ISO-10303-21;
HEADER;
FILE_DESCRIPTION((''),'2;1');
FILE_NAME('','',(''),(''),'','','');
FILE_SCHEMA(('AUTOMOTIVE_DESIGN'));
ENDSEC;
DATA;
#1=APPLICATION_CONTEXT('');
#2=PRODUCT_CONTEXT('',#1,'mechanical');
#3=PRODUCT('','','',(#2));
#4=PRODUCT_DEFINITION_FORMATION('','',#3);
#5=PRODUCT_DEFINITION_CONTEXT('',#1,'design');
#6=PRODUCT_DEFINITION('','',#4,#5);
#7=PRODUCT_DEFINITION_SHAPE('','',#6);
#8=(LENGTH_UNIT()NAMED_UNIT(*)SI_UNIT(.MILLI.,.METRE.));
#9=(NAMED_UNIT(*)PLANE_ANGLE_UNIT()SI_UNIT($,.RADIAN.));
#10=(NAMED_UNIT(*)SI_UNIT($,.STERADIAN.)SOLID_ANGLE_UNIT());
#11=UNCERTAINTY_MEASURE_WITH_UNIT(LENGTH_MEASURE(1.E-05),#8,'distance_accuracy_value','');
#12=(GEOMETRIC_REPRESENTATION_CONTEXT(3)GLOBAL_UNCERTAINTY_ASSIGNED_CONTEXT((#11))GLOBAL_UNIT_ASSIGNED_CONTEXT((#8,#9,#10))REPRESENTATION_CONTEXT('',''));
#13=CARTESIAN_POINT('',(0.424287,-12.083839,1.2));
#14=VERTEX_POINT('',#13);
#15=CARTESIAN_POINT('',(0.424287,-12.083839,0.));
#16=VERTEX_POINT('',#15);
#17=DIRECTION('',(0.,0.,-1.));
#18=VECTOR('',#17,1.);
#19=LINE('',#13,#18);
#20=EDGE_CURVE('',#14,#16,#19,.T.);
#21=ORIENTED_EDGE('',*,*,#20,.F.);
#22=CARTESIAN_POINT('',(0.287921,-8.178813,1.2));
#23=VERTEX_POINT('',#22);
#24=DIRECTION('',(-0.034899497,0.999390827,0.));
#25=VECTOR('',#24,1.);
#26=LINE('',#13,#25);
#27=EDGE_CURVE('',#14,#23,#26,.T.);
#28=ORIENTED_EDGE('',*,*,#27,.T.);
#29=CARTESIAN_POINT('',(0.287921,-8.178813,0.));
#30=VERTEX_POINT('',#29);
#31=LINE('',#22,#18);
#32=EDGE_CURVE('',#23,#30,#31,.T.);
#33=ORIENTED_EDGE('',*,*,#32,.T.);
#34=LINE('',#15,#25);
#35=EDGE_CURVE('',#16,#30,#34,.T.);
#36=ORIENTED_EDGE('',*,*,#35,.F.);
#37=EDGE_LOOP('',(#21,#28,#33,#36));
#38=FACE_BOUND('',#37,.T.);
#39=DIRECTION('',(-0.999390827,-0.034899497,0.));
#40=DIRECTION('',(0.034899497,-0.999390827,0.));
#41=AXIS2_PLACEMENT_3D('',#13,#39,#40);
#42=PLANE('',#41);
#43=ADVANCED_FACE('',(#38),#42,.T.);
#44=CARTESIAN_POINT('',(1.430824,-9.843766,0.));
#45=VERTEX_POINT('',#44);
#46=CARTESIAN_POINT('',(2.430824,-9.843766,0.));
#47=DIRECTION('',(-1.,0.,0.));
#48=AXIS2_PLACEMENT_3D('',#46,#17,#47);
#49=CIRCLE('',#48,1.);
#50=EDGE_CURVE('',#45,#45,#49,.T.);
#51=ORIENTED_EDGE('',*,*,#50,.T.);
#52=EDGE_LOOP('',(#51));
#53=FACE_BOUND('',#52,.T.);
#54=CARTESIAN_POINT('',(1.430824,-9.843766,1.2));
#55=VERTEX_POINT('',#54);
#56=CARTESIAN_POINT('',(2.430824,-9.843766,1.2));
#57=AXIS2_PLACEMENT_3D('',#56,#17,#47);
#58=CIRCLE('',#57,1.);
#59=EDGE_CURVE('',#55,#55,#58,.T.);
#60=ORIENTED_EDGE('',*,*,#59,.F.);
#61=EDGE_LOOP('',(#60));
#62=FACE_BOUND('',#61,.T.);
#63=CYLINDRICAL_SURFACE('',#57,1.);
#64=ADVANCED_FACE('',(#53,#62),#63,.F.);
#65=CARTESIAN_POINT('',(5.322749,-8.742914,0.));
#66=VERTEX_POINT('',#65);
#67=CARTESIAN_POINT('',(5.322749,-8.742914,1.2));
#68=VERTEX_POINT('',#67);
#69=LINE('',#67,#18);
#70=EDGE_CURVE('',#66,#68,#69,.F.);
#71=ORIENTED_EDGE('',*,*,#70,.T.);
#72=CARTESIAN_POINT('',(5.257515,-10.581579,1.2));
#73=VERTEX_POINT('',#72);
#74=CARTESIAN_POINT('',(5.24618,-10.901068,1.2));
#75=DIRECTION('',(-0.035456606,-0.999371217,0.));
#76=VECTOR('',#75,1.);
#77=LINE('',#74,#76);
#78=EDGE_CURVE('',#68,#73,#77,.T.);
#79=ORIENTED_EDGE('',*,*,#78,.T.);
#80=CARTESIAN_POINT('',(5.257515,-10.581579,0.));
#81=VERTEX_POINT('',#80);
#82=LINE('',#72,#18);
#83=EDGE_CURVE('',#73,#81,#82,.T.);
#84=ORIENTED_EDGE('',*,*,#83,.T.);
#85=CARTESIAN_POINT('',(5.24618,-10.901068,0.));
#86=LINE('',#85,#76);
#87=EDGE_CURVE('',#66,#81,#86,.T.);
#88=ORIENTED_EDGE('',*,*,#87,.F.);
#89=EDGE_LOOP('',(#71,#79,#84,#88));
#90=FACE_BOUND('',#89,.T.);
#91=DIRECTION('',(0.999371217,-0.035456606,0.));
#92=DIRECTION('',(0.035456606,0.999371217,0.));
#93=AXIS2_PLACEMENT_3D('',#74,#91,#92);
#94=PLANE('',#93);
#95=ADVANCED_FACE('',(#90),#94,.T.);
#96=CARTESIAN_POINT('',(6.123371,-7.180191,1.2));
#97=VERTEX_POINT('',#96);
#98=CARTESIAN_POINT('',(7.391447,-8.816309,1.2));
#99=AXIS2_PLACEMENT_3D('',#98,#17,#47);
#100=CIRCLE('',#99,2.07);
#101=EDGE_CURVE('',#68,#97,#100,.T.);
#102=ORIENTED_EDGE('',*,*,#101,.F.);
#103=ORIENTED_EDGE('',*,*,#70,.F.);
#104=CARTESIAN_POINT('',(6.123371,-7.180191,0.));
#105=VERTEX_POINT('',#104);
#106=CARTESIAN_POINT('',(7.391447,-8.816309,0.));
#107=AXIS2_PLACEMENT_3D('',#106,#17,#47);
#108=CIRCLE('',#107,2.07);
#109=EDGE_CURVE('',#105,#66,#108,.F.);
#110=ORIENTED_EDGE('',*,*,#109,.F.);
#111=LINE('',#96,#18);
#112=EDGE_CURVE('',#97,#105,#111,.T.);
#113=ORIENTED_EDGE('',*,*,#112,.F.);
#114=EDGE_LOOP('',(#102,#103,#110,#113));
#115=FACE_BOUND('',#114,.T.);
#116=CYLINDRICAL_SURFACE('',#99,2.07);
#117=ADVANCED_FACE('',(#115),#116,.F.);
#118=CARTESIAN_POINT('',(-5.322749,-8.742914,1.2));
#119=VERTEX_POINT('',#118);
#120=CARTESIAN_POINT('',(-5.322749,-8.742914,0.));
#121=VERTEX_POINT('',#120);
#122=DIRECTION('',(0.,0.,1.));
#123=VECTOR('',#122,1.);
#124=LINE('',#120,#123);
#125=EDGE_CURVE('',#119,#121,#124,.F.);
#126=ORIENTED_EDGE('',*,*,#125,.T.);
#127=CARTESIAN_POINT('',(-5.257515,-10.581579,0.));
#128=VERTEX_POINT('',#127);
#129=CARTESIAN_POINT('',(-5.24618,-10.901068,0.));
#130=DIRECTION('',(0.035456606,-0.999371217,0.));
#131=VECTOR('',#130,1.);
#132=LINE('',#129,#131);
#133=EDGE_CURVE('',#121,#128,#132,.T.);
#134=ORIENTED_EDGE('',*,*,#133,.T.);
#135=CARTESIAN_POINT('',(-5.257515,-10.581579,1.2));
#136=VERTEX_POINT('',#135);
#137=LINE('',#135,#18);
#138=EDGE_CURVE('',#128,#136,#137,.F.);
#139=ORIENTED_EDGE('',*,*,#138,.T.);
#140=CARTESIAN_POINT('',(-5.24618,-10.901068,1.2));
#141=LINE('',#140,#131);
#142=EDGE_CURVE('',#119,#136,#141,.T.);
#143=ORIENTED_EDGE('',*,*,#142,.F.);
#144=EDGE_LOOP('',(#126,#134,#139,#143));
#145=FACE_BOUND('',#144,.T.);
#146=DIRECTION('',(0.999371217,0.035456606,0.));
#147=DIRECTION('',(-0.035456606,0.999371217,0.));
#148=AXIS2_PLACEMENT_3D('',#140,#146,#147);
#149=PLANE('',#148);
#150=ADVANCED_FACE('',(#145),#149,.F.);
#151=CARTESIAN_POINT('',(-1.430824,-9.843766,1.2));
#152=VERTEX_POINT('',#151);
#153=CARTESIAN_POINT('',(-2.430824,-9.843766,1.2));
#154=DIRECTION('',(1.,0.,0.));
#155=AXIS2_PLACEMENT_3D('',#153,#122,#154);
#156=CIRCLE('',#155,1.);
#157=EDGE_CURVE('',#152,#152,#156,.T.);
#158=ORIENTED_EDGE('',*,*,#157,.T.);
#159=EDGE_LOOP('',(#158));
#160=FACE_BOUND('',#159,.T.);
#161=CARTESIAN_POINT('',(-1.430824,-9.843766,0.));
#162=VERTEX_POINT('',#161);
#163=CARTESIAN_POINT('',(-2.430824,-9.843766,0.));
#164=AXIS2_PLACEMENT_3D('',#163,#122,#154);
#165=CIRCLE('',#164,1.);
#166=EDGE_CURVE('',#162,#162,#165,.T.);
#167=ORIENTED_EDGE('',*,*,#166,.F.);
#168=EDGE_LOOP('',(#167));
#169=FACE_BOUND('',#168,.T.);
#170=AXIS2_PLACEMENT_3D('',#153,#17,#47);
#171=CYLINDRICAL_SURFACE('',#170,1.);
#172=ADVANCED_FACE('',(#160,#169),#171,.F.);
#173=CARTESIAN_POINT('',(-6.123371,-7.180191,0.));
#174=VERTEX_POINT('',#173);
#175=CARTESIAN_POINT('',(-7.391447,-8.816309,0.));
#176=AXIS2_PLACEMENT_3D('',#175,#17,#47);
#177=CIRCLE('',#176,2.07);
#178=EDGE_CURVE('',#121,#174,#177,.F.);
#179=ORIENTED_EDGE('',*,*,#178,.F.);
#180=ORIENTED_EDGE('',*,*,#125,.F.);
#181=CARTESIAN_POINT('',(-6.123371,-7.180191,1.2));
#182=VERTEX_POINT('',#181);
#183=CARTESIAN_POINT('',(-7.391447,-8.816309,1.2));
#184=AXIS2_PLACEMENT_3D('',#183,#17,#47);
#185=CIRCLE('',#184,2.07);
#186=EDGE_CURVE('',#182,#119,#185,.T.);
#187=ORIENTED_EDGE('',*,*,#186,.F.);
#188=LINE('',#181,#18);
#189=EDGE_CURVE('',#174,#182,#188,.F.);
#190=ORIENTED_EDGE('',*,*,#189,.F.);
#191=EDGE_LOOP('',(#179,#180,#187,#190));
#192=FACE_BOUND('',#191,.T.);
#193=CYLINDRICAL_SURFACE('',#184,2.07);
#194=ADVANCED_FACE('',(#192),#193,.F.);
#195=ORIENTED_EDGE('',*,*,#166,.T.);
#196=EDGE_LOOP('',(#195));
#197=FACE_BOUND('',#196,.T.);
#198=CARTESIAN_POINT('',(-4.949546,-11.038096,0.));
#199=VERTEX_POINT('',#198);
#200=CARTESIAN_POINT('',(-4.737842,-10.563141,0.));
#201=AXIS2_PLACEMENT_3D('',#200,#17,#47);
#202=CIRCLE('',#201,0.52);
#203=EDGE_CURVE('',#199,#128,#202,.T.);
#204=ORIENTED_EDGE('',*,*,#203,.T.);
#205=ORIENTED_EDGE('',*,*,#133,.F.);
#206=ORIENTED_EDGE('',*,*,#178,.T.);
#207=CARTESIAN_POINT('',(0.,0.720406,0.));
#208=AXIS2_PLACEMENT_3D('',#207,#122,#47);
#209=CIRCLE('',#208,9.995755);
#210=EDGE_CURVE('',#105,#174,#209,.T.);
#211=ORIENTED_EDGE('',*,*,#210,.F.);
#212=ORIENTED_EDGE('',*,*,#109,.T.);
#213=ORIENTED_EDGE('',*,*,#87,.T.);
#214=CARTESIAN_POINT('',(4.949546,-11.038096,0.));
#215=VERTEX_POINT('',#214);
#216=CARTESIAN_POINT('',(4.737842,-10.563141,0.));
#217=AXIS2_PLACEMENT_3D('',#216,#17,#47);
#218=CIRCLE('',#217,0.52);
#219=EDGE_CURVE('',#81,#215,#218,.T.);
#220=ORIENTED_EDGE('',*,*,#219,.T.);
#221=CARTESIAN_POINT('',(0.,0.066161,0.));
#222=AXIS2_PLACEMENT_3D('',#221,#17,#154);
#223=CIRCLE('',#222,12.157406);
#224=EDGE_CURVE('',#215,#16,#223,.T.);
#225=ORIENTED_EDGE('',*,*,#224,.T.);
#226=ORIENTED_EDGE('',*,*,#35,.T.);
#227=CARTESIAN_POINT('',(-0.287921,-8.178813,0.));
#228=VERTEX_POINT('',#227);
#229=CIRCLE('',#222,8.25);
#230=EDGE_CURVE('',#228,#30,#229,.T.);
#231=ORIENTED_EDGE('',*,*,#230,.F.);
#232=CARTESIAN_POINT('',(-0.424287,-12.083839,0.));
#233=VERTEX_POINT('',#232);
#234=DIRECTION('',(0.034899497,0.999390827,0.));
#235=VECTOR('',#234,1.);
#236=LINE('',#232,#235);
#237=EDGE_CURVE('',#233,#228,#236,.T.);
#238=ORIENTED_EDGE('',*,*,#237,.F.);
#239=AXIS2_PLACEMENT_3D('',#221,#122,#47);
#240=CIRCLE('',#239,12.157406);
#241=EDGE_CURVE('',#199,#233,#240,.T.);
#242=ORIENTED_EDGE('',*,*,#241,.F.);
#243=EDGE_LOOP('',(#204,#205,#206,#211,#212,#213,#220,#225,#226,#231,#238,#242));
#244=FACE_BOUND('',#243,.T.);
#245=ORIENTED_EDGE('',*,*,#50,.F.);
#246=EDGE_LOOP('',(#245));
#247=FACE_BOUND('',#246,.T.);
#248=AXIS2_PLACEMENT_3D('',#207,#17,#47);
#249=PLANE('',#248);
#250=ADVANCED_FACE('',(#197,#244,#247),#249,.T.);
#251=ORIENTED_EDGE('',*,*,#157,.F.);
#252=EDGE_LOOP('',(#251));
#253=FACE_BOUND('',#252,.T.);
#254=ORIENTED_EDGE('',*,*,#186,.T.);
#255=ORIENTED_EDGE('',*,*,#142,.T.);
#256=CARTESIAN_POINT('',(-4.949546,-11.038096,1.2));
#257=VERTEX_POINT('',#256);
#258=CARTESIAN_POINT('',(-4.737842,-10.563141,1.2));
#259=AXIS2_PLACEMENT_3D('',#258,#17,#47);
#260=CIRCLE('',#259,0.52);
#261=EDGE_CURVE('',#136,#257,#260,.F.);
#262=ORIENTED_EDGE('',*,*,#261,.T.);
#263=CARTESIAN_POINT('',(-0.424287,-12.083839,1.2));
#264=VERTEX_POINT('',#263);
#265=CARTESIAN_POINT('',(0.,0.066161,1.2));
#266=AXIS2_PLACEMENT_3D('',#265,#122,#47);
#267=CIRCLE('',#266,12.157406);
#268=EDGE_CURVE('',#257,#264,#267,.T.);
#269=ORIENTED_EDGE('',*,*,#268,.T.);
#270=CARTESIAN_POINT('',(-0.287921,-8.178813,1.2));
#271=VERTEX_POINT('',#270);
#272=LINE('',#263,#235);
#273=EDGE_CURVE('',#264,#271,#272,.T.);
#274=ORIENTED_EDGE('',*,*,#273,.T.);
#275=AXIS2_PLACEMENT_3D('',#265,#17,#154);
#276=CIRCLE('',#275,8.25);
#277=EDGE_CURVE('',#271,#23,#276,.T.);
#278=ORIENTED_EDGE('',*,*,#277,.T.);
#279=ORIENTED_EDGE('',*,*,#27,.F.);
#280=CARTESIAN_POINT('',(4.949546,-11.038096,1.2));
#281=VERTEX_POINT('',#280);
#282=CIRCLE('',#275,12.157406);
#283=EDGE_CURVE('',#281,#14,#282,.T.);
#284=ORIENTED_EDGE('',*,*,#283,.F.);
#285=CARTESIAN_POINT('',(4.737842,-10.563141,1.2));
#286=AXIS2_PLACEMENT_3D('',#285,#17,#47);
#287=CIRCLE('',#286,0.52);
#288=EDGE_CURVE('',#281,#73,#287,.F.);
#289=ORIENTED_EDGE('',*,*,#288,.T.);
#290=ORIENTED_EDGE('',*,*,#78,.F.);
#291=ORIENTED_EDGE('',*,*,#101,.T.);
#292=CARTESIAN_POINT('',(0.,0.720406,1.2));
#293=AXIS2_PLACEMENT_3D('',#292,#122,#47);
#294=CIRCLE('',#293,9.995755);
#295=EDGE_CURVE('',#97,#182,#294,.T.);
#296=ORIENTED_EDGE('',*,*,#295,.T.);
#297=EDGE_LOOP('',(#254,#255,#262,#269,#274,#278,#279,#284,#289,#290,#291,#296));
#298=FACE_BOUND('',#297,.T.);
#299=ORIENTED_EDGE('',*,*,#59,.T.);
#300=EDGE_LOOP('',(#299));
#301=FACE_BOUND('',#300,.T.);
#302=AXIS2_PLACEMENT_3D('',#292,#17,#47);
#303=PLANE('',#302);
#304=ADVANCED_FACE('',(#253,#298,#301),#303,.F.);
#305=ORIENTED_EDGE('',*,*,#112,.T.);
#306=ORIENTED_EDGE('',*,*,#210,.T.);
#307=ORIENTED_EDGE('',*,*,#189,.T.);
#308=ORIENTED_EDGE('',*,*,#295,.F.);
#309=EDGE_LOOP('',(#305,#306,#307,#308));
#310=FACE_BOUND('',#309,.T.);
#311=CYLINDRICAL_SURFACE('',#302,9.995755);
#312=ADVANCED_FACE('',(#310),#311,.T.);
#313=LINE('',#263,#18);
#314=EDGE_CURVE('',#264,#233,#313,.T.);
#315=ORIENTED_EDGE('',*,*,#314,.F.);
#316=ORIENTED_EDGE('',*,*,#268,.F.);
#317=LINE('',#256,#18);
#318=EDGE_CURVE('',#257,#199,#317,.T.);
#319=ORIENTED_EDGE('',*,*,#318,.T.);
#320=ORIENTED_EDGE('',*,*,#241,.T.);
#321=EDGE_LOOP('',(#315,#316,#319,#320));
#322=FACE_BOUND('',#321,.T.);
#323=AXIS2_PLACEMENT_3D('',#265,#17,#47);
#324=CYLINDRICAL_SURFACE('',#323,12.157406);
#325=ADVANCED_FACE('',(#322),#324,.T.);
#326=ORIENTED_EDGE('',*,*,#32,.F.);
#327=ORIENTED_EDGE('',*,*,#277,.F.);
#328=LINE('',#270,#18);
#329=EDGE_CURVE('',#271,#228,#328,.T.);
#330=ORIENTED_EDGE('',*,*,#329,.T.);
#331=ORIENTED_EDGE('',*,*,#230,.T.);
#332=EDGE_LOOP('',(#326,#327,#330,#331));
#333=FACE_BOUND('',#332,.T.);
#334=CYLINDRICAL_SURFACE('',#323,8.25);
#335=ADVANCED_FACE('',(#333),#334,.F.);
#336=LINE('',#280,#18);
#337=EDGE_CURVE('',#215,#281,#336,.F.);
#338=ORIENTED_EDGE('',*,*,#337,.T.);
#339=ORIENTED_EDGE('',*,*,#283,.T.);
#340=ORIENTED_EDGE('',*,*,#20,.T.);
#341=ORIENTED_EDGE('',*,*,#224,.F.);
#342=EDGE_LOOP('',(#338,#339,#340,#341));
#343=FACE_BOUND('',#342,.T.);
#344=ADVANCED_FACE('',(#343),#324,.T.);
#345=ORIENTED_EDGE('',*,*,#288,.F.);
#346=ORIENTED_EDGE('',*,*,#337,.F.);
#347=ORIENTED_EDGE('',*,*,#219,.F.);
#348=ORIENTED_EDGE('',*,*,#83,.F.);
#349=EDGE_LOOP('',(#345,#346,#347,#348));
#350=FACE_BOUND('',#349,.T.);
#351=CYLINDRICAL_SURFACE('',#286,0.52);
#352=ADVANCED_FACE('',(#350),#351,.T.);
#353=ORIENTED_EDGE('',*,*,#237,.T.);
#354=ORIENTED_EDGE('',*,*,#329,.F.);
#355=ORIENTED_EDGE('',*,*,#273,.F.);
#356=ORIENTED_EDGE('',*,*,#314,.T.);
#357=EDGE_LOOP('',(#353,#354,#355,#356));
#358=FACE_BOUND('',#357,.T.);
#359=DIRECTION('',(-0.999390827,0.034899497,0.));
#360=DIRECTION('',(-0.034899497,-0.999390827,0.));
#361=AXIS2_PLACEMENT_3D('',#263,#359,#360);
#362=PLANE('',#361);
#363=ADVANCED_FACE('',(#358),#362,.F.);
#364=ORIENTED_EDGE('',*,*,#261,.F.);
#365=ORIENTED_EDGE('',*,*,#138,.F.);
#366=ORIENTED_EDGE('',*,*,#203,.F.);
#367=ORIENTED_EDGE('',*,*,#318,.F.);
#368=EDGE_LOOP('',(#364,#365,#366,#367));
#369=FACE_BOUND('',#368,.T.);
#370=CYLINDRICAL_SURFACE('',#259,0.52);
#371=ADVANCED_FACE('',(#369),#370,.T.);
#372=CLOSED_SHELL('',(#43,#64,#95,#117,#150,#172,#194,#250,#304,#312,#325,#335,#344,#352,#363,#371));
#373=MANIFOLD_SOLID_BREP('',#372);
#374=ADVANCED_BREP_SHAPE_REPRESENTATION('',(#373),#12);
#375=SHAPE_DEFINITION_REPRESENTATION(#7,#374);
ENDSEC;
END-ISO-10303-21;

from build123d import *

# Parameters (mm, degrees)
SKETCH1_R            = 1
BOSS_EXTRUDE1_DEPTH  = 1.2
FILLET1_R            = 2.07
FILLET4_R            = 0.52
FILLET1_OF_MIRROR1_R = 2.07
FILLET4_OF_MIRROR1_R = 0.52


with BuildPart() as part:
    # Sketch1 → Boss-Extrude1 (new body)
    with BuildSketch(Plane.XY):
        with BuildLine():
            Line((0, 10.716160966), (0, 8.316160966))
            ThreePointArc((0, 8.316160966), (-8.248743485, 0.21014332), (-0.287920848, -8.178813356))
            Line((-0.287920848, -8.178813356), (-0.424287349, -12.083839034))
            ThreePointArc((-0.424287349, -12.083839034), (-2.896253939, -11.741219474), (-5.246180053, -10.901068155))
            Line((-5.246180053, -10.901068155), (-5.359136951, -7.71729271))
            ThreePointArc((-5.359136951, -7.71729271), (-9.598340525, 3.51092083), (0, 10.716160966))
        make_face()
        with Locations((-2.430824062, -9.84376582)):
            Circle(SKETCH1_R, mode=Mode.SUBTRACT)
    boss_extrude1 = extrude(amount=BOSS_EXTRUDE1_DEPTH)

    # Fillet1
    fillet1_edges = [part.edges().sort_by_distance(p)[0] for p in [
        (-5.359136951, -7.71729271, 0.6),
    ]]
    fillet(fillet1_edges, radius=FILLET1_R)

    # Fillet4
    fillet4_edges = [part.edges().sort_by_distance(p)[0] for p in [
        (-5.246180053, -10.901068155, 0.6),
    ]]
    fillet(fillet4_edges, radius=FILLET4_R)

    # Mirror1: Boss-Extrude1 across plane
    add(boss_extrude1.mirror(Plane(origin=(0, 10.716160966, 1.2), x_dir=(0, 0, 1), z_dir=(-1, 0, 0))))

    # Fillet1 of Mirror1
    fillet1_of_mirror1_edges = [part.edges().sort_by_distance(p)[0] for p in [
        (5.359136951, -7.71729271, 0.6),
    ]]
    fillet(fillet1_of_mirror1_edges, radius=FILLET1_OF_MIRROR1_R)

    # Fillet4 of Mirror1
    fillet4_of_mirror1_edges = [part.edges().sort_by_distance(p)[0] for p in [
        (5.246180053, -10.901068155, 0.6),
    ]]
    fillet(fillet4_of_mirror1_edges, radius=FILLET4_OF_MIRROR1_R)


solid = part.part
